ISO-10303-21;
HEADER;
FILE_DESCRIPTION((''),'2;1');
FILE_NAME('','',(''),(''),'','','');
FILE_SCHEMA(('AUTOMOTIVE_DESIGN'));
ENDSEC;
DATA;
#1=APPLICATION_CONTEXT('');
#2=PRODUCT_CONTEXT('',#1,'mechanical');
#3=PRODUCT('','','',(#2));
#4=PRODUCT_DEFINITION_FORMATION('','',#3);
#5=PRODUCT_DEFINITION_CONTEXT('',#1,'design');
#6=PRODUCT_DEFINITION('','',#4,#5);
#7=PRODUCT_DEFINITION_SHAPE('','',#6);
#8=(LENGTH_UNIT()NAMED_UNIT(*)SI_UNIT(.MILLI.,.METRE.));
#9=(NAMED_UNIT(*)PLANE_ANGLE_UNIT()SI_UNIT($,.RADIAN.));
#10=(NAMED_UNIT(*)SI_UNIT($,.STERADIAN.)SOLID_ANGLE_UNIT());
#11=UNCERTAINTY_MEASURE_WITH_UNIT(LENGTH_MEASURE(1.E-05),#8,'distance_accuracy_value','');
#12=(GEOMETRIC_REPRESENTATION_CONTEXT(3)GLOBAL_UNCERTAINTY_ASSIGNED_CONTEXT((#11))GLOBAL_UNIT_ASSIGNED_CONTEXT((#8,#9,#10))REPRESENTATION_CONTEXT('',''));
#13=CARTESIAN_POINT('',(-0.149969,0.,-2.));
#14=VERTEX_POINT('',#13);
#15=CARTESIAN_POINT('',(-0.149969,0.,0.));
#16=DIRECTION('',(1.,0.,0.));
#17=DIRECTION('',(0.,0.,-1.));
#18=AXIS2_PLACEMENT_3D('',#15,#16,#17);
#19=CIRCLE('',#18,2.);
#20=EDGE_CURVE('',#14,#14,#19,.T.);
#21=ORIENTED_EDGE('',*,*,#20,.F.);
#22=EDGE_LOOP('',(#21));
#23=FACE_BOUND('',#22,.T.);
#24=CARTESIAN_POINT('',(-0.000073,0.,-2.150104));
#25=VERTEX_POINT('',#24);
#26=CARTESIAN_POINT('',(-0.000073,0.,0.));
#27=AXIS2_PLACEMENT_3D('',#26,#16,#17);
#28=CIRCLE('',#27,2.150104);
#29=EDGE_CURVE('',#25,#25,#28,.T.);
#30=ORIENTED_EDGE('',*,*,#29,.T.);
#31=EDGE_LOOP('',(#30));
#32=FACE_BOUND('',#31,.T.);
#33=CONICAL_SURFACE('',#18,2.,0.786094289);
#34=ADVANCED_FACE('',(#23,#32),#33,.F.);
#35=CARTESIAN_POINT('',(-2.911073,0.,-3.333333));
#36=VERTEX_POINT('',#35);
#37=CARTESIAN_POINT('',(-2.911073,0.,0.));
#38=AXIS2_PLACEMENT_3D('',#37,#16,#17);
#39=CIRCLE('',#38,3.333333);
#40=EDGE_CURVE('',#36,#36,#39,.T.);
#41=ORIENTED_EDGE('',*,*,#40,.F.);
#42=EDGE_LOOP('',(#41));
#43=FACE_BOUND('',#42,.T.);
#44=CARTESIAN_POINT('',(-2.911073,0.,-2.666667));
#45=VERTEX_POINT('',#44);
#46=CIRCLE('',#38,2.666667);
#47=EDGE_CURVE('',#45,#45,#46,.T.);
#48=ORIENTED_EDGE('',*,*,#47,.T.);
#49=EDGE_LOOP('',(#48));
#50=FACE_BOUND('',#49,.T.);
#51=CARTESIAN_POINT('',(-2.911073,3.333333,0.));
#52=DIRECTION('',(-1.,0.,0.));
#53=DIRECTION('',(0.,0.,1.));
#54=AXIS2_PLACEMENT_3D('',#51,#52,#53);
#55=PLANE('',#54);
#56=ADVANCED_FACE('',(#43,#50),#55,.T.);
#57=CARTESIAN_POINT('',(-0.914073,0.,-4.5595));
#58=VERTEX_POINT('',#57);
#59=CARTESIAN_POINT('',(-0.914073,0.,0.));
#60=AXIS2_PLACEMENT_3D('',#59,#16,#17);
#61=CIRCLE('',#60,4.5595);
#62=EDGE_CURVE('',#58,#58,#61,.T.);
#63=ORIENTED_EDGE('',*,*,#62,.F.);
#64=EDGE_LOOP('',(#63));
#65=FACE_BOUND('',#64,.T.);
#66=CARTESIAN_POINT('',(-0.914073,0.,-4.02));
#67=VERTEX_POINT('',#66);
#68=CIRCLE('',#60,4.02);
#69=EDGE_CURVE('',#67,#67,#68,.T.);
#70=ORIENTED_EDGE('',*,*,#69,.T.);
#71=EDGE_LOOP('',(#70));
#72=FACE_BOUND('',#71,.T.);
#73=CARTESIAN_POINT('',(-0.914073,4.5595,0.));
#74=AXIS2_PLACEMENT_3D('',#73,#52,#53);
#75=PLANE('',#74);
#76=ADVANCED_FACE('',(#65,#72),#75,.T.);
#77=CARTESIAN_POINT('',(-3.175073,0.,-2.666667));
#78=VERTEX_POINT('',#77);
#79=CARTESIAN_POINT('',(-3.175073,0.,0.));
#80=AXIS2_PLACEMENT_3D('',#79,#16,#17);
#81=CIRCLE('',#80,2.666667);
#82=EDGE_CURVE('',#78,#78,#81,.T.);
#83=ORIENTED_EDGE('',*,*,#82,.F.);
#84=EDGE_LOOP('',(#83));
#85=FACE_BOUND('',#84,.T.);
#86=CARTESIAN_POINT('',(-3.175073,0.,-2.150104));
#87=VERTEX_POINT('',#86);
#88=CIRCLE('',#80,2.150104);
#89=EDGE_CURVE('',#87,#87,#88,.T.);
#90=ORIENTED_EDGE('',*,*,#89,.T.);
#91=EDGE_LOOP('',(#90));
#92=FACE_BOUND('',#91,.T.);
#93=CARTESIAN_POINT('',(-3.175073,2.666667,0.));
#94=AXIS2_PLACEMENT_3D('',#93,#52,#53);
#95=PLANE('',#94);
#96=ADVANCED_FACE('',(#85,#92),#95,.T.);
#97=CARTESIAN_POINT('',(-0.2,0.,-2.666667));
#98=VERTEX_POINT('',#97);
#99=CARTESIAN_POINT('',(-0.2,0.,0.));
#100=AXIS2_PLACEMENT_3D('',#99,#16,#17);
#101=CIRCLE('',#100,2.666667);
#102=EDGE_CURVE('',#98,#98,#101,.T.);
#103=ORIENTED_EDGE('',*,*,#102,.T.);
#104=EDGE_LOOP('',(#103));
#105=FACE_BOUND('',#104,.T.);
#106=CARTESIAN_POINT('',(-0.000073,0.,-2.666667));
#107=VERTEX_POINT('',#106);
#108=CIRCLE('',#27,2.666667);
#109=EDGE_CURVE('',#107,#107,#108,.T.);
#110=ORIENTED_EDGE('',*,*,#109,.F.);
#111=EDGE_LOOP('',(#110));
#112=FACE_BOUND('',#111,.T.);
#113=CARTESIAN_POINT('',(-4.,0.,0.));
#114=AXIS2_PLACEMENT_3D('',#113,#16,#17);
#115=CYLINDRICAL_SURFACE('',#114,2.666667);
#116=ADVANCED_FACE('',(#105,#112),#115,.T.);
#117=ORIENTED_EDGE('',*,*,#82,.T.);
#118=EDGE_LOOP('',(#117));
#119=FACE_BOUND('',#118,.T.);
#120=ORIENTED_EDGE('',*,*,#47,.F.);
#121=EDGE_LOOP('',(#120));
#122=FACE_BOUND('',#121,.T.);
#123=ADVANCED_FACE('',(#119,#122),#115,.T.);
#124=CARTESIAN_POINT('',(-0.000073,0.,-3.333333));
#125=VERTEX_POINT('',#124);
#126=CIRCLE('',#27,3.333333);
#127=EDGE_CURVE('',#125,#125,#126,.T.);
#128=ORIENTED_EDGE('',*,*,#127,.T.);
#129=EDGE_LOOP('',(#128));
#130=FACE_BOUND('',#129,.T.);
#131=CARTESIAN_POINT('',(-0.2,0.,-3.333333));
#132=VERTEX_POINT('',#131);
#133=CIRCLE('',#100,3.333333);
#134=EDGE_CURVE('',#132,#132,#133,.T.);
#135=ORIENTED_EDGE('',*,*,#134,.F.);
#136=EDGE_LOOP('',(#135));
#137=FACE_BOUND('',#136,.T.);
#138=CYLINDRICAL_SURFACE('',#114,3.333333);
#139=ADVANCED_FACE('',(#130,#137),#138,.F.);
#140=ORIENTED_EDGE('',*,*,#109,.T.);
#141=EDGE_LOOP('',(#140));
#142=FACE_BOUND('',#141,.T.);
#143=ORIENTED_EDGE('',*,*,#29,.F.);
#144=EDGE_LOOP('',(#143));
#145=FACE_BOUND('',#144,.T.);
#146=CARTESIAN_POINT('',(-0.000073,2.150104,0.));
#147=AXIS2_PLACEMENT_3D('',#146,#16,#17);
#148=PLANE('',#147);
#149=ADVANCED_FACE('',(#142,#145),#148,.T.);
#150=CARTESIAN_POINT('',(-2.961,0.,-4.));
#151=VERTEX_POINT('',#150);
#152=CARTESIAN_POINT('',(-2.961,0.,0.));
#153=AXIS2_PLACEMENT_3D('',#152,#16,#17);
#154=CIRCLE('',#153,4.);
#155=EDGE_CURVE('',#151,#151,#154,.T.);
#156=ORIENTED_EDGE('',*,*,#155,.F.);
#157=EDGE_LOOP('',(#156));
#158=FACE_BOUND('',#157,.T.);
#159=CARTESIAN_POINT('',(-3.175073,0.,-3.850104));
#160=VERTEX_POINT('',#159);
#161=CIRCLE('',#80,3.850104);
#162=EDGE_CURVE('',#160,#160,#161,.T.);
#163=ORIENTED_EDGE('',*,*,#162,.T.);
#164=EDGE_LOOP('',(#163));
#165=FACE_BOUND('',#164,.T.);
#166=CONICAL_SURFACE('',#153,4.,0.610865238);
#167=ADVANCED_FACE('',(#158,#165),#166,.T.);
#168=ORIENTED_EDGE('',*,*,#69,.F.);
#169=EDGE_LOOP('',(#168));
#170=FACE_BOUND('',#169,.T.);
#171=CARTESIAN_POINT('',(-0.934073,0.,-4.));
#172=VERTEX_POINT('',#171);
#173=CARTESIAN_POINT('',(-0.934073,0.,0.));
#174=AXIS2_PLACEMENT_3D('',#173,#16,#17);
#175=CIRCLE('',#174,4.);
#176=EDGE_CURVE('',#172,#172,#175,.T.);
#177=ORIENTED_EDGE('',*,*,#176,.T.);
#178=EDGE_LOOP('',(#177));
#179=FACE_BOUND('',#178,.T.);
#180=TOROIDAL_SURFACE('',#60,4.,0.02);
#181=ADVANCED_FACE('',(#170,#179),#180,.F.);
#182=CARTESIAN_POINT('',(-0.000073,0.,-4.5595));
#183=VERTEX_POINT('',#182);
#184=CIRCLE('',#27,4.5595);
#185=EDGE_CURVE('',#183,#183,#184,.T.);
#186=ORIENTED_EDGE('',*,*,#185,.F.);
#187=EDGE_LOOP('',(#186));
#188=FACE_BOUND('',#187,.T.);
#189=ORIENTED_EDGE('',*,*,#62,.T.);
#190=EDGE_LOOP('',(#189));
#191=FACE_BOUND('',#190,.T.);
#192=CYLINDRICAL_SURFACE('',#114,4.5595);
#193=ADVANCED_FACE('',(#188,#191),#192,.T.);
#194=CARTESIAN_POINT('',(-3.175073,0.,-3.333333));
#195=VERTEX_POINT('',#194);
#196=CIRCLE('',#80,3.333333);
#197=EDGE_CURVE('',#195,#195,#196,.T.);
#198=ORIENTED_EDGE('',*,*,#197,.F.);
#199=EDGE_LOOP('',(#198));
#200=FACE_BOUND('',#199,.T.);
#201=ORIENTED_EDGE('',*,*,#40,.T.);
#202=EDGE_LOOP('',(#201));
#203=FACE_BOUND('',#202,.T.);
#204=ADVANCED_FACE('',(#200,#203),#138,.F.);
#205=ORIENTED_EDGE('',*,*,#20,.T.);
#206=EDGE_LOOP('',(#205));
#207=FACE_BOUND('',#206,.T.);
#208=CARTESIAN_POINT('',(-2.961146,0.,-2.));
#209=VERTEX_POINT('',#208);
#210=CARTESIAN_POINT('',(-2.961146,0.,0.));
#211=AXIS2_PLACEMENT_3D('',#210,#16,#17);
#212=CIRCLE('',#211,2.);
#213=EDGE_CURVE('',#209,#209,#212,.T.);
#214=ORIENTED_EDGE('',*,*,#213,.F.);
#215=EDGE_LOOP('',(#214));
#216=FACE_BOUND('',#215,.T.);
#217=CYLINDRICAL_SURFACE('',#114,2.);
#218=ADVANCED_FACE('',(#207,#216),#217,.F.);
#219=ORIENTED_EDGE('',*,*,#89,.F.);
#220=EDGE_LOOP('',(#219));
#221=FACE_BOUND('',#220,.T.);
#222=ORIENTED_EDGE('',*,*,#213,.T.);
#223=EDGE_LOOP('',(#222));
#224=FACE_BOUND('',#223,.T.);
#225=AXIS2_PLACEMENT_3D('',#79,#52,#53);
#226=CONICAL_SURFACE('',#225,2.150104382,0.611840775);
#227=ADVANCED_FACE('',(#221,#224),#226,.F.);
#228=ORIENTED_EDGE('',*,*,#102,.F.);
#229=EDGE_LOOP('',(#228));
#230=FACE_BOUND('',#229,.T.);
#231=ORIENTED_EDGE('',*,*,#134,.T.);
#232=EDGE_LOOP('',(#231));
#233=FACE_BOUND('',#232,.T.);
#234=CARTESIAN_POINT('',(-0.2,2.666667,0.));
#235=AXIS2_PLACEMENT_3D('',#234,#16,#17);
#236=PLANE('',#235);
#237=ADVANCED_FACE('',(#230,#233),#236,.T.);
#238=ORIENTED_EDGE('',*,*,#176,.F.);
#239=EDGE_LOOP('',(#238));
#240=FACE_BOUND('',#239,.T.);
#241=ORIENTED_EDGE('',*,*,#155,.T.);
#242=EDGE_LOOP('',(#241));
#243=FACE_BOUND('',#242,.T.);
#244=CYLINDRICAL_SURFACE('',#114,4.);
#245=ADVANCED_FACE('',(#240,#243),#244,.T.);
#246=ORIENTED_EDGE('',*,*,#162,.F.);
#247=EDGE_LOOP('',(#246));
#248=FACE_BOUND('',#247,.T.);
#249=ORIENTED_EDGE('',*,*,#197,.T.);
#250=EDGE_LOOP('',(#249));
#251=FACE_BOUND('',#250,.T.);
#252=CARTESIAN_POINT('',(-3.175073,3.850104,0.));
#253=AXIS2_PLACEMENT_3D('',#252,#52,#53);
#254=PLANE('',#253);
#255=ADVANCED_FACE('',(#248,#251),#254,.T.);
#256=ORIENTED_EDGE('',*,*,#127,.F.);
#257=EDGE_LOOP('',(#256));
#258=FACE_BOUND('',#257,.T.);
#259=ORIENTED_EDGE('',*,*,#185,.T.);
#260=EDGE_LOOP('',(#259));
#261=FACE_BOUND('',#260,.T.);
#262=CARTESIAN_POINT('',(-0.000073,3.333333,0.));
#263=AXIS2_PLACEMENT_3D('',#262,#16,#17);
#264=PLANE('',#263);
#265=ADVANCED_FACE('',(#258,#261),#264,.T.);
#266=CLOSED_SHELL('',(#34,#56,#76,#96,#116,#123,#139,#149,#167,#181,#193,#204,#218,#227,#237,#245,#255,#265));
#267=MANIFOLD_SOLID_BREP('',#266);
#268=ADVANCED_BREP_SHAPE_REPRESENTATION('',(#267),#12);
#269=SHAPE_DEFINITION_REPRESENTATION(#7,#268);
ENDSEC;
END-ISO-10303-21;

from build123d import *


with BuildPart() as part:
    # Schizzo1 → Rivoluzione1 (revolve)
    with BuildSketch(Plane.XY):
        with BuildLine():
            Line((-2.911073127, 3.333333333), (-2.911073127, 2.666666667))
            Line((-2.911073127, 2.666666667), (-3.175073127, 2.666666667))
            Line((-3.175073127, 2.666666667), (-3.175073127, 2.150104382))
            Line((-3.175073127, 2.150104382), (-2.961146331, 2))
            Line((-2.961146331, 2), (-0.149968672, 2))
            Line((-0.149968672, 2), (-7.3127e-05, 2.150104382))
            Line((-7.3127e-05, 2.150104382), (-7.3127e-05, 2.666666667))
            Line((-7.3127e-05, 2.666666667), (-0.2, 2.666666667))
            Line((-0.2, 2.666666667), (-0.2, 3.333333333))
            Line((-0.2, 3.333333333), (-7.3127e-05, 3.333333333))
            Line((-7.3127e-05, 3.333333333), (-7.3127e-05, 4.5595))
            Line((-7.3127e-05, 4.5595), (-0.914073127, 4.5595))
            Line((-0.914073127, 4.5595), (-0.914073127, 4.02))
            ThreePointArc((-0.914073127, 4.02), (-0.899930992, 3.985857864), (-0.934073127, 4))
            Line((-0.934073127, 4), (-2.961, 4))
            Line((-2.961, 4), (-3.175073127, 3.850104382))
            Line((-3.175073127, 3.850104382), (-3.175073127, 3.333333333))
            Line((-3.175073127, 3.333333333), (-2.911073127, 3.333333333))
        make_face()
    revolve(axis=Axis((-4, 0, 0), (1, 0, 0)))


solid = part.part
